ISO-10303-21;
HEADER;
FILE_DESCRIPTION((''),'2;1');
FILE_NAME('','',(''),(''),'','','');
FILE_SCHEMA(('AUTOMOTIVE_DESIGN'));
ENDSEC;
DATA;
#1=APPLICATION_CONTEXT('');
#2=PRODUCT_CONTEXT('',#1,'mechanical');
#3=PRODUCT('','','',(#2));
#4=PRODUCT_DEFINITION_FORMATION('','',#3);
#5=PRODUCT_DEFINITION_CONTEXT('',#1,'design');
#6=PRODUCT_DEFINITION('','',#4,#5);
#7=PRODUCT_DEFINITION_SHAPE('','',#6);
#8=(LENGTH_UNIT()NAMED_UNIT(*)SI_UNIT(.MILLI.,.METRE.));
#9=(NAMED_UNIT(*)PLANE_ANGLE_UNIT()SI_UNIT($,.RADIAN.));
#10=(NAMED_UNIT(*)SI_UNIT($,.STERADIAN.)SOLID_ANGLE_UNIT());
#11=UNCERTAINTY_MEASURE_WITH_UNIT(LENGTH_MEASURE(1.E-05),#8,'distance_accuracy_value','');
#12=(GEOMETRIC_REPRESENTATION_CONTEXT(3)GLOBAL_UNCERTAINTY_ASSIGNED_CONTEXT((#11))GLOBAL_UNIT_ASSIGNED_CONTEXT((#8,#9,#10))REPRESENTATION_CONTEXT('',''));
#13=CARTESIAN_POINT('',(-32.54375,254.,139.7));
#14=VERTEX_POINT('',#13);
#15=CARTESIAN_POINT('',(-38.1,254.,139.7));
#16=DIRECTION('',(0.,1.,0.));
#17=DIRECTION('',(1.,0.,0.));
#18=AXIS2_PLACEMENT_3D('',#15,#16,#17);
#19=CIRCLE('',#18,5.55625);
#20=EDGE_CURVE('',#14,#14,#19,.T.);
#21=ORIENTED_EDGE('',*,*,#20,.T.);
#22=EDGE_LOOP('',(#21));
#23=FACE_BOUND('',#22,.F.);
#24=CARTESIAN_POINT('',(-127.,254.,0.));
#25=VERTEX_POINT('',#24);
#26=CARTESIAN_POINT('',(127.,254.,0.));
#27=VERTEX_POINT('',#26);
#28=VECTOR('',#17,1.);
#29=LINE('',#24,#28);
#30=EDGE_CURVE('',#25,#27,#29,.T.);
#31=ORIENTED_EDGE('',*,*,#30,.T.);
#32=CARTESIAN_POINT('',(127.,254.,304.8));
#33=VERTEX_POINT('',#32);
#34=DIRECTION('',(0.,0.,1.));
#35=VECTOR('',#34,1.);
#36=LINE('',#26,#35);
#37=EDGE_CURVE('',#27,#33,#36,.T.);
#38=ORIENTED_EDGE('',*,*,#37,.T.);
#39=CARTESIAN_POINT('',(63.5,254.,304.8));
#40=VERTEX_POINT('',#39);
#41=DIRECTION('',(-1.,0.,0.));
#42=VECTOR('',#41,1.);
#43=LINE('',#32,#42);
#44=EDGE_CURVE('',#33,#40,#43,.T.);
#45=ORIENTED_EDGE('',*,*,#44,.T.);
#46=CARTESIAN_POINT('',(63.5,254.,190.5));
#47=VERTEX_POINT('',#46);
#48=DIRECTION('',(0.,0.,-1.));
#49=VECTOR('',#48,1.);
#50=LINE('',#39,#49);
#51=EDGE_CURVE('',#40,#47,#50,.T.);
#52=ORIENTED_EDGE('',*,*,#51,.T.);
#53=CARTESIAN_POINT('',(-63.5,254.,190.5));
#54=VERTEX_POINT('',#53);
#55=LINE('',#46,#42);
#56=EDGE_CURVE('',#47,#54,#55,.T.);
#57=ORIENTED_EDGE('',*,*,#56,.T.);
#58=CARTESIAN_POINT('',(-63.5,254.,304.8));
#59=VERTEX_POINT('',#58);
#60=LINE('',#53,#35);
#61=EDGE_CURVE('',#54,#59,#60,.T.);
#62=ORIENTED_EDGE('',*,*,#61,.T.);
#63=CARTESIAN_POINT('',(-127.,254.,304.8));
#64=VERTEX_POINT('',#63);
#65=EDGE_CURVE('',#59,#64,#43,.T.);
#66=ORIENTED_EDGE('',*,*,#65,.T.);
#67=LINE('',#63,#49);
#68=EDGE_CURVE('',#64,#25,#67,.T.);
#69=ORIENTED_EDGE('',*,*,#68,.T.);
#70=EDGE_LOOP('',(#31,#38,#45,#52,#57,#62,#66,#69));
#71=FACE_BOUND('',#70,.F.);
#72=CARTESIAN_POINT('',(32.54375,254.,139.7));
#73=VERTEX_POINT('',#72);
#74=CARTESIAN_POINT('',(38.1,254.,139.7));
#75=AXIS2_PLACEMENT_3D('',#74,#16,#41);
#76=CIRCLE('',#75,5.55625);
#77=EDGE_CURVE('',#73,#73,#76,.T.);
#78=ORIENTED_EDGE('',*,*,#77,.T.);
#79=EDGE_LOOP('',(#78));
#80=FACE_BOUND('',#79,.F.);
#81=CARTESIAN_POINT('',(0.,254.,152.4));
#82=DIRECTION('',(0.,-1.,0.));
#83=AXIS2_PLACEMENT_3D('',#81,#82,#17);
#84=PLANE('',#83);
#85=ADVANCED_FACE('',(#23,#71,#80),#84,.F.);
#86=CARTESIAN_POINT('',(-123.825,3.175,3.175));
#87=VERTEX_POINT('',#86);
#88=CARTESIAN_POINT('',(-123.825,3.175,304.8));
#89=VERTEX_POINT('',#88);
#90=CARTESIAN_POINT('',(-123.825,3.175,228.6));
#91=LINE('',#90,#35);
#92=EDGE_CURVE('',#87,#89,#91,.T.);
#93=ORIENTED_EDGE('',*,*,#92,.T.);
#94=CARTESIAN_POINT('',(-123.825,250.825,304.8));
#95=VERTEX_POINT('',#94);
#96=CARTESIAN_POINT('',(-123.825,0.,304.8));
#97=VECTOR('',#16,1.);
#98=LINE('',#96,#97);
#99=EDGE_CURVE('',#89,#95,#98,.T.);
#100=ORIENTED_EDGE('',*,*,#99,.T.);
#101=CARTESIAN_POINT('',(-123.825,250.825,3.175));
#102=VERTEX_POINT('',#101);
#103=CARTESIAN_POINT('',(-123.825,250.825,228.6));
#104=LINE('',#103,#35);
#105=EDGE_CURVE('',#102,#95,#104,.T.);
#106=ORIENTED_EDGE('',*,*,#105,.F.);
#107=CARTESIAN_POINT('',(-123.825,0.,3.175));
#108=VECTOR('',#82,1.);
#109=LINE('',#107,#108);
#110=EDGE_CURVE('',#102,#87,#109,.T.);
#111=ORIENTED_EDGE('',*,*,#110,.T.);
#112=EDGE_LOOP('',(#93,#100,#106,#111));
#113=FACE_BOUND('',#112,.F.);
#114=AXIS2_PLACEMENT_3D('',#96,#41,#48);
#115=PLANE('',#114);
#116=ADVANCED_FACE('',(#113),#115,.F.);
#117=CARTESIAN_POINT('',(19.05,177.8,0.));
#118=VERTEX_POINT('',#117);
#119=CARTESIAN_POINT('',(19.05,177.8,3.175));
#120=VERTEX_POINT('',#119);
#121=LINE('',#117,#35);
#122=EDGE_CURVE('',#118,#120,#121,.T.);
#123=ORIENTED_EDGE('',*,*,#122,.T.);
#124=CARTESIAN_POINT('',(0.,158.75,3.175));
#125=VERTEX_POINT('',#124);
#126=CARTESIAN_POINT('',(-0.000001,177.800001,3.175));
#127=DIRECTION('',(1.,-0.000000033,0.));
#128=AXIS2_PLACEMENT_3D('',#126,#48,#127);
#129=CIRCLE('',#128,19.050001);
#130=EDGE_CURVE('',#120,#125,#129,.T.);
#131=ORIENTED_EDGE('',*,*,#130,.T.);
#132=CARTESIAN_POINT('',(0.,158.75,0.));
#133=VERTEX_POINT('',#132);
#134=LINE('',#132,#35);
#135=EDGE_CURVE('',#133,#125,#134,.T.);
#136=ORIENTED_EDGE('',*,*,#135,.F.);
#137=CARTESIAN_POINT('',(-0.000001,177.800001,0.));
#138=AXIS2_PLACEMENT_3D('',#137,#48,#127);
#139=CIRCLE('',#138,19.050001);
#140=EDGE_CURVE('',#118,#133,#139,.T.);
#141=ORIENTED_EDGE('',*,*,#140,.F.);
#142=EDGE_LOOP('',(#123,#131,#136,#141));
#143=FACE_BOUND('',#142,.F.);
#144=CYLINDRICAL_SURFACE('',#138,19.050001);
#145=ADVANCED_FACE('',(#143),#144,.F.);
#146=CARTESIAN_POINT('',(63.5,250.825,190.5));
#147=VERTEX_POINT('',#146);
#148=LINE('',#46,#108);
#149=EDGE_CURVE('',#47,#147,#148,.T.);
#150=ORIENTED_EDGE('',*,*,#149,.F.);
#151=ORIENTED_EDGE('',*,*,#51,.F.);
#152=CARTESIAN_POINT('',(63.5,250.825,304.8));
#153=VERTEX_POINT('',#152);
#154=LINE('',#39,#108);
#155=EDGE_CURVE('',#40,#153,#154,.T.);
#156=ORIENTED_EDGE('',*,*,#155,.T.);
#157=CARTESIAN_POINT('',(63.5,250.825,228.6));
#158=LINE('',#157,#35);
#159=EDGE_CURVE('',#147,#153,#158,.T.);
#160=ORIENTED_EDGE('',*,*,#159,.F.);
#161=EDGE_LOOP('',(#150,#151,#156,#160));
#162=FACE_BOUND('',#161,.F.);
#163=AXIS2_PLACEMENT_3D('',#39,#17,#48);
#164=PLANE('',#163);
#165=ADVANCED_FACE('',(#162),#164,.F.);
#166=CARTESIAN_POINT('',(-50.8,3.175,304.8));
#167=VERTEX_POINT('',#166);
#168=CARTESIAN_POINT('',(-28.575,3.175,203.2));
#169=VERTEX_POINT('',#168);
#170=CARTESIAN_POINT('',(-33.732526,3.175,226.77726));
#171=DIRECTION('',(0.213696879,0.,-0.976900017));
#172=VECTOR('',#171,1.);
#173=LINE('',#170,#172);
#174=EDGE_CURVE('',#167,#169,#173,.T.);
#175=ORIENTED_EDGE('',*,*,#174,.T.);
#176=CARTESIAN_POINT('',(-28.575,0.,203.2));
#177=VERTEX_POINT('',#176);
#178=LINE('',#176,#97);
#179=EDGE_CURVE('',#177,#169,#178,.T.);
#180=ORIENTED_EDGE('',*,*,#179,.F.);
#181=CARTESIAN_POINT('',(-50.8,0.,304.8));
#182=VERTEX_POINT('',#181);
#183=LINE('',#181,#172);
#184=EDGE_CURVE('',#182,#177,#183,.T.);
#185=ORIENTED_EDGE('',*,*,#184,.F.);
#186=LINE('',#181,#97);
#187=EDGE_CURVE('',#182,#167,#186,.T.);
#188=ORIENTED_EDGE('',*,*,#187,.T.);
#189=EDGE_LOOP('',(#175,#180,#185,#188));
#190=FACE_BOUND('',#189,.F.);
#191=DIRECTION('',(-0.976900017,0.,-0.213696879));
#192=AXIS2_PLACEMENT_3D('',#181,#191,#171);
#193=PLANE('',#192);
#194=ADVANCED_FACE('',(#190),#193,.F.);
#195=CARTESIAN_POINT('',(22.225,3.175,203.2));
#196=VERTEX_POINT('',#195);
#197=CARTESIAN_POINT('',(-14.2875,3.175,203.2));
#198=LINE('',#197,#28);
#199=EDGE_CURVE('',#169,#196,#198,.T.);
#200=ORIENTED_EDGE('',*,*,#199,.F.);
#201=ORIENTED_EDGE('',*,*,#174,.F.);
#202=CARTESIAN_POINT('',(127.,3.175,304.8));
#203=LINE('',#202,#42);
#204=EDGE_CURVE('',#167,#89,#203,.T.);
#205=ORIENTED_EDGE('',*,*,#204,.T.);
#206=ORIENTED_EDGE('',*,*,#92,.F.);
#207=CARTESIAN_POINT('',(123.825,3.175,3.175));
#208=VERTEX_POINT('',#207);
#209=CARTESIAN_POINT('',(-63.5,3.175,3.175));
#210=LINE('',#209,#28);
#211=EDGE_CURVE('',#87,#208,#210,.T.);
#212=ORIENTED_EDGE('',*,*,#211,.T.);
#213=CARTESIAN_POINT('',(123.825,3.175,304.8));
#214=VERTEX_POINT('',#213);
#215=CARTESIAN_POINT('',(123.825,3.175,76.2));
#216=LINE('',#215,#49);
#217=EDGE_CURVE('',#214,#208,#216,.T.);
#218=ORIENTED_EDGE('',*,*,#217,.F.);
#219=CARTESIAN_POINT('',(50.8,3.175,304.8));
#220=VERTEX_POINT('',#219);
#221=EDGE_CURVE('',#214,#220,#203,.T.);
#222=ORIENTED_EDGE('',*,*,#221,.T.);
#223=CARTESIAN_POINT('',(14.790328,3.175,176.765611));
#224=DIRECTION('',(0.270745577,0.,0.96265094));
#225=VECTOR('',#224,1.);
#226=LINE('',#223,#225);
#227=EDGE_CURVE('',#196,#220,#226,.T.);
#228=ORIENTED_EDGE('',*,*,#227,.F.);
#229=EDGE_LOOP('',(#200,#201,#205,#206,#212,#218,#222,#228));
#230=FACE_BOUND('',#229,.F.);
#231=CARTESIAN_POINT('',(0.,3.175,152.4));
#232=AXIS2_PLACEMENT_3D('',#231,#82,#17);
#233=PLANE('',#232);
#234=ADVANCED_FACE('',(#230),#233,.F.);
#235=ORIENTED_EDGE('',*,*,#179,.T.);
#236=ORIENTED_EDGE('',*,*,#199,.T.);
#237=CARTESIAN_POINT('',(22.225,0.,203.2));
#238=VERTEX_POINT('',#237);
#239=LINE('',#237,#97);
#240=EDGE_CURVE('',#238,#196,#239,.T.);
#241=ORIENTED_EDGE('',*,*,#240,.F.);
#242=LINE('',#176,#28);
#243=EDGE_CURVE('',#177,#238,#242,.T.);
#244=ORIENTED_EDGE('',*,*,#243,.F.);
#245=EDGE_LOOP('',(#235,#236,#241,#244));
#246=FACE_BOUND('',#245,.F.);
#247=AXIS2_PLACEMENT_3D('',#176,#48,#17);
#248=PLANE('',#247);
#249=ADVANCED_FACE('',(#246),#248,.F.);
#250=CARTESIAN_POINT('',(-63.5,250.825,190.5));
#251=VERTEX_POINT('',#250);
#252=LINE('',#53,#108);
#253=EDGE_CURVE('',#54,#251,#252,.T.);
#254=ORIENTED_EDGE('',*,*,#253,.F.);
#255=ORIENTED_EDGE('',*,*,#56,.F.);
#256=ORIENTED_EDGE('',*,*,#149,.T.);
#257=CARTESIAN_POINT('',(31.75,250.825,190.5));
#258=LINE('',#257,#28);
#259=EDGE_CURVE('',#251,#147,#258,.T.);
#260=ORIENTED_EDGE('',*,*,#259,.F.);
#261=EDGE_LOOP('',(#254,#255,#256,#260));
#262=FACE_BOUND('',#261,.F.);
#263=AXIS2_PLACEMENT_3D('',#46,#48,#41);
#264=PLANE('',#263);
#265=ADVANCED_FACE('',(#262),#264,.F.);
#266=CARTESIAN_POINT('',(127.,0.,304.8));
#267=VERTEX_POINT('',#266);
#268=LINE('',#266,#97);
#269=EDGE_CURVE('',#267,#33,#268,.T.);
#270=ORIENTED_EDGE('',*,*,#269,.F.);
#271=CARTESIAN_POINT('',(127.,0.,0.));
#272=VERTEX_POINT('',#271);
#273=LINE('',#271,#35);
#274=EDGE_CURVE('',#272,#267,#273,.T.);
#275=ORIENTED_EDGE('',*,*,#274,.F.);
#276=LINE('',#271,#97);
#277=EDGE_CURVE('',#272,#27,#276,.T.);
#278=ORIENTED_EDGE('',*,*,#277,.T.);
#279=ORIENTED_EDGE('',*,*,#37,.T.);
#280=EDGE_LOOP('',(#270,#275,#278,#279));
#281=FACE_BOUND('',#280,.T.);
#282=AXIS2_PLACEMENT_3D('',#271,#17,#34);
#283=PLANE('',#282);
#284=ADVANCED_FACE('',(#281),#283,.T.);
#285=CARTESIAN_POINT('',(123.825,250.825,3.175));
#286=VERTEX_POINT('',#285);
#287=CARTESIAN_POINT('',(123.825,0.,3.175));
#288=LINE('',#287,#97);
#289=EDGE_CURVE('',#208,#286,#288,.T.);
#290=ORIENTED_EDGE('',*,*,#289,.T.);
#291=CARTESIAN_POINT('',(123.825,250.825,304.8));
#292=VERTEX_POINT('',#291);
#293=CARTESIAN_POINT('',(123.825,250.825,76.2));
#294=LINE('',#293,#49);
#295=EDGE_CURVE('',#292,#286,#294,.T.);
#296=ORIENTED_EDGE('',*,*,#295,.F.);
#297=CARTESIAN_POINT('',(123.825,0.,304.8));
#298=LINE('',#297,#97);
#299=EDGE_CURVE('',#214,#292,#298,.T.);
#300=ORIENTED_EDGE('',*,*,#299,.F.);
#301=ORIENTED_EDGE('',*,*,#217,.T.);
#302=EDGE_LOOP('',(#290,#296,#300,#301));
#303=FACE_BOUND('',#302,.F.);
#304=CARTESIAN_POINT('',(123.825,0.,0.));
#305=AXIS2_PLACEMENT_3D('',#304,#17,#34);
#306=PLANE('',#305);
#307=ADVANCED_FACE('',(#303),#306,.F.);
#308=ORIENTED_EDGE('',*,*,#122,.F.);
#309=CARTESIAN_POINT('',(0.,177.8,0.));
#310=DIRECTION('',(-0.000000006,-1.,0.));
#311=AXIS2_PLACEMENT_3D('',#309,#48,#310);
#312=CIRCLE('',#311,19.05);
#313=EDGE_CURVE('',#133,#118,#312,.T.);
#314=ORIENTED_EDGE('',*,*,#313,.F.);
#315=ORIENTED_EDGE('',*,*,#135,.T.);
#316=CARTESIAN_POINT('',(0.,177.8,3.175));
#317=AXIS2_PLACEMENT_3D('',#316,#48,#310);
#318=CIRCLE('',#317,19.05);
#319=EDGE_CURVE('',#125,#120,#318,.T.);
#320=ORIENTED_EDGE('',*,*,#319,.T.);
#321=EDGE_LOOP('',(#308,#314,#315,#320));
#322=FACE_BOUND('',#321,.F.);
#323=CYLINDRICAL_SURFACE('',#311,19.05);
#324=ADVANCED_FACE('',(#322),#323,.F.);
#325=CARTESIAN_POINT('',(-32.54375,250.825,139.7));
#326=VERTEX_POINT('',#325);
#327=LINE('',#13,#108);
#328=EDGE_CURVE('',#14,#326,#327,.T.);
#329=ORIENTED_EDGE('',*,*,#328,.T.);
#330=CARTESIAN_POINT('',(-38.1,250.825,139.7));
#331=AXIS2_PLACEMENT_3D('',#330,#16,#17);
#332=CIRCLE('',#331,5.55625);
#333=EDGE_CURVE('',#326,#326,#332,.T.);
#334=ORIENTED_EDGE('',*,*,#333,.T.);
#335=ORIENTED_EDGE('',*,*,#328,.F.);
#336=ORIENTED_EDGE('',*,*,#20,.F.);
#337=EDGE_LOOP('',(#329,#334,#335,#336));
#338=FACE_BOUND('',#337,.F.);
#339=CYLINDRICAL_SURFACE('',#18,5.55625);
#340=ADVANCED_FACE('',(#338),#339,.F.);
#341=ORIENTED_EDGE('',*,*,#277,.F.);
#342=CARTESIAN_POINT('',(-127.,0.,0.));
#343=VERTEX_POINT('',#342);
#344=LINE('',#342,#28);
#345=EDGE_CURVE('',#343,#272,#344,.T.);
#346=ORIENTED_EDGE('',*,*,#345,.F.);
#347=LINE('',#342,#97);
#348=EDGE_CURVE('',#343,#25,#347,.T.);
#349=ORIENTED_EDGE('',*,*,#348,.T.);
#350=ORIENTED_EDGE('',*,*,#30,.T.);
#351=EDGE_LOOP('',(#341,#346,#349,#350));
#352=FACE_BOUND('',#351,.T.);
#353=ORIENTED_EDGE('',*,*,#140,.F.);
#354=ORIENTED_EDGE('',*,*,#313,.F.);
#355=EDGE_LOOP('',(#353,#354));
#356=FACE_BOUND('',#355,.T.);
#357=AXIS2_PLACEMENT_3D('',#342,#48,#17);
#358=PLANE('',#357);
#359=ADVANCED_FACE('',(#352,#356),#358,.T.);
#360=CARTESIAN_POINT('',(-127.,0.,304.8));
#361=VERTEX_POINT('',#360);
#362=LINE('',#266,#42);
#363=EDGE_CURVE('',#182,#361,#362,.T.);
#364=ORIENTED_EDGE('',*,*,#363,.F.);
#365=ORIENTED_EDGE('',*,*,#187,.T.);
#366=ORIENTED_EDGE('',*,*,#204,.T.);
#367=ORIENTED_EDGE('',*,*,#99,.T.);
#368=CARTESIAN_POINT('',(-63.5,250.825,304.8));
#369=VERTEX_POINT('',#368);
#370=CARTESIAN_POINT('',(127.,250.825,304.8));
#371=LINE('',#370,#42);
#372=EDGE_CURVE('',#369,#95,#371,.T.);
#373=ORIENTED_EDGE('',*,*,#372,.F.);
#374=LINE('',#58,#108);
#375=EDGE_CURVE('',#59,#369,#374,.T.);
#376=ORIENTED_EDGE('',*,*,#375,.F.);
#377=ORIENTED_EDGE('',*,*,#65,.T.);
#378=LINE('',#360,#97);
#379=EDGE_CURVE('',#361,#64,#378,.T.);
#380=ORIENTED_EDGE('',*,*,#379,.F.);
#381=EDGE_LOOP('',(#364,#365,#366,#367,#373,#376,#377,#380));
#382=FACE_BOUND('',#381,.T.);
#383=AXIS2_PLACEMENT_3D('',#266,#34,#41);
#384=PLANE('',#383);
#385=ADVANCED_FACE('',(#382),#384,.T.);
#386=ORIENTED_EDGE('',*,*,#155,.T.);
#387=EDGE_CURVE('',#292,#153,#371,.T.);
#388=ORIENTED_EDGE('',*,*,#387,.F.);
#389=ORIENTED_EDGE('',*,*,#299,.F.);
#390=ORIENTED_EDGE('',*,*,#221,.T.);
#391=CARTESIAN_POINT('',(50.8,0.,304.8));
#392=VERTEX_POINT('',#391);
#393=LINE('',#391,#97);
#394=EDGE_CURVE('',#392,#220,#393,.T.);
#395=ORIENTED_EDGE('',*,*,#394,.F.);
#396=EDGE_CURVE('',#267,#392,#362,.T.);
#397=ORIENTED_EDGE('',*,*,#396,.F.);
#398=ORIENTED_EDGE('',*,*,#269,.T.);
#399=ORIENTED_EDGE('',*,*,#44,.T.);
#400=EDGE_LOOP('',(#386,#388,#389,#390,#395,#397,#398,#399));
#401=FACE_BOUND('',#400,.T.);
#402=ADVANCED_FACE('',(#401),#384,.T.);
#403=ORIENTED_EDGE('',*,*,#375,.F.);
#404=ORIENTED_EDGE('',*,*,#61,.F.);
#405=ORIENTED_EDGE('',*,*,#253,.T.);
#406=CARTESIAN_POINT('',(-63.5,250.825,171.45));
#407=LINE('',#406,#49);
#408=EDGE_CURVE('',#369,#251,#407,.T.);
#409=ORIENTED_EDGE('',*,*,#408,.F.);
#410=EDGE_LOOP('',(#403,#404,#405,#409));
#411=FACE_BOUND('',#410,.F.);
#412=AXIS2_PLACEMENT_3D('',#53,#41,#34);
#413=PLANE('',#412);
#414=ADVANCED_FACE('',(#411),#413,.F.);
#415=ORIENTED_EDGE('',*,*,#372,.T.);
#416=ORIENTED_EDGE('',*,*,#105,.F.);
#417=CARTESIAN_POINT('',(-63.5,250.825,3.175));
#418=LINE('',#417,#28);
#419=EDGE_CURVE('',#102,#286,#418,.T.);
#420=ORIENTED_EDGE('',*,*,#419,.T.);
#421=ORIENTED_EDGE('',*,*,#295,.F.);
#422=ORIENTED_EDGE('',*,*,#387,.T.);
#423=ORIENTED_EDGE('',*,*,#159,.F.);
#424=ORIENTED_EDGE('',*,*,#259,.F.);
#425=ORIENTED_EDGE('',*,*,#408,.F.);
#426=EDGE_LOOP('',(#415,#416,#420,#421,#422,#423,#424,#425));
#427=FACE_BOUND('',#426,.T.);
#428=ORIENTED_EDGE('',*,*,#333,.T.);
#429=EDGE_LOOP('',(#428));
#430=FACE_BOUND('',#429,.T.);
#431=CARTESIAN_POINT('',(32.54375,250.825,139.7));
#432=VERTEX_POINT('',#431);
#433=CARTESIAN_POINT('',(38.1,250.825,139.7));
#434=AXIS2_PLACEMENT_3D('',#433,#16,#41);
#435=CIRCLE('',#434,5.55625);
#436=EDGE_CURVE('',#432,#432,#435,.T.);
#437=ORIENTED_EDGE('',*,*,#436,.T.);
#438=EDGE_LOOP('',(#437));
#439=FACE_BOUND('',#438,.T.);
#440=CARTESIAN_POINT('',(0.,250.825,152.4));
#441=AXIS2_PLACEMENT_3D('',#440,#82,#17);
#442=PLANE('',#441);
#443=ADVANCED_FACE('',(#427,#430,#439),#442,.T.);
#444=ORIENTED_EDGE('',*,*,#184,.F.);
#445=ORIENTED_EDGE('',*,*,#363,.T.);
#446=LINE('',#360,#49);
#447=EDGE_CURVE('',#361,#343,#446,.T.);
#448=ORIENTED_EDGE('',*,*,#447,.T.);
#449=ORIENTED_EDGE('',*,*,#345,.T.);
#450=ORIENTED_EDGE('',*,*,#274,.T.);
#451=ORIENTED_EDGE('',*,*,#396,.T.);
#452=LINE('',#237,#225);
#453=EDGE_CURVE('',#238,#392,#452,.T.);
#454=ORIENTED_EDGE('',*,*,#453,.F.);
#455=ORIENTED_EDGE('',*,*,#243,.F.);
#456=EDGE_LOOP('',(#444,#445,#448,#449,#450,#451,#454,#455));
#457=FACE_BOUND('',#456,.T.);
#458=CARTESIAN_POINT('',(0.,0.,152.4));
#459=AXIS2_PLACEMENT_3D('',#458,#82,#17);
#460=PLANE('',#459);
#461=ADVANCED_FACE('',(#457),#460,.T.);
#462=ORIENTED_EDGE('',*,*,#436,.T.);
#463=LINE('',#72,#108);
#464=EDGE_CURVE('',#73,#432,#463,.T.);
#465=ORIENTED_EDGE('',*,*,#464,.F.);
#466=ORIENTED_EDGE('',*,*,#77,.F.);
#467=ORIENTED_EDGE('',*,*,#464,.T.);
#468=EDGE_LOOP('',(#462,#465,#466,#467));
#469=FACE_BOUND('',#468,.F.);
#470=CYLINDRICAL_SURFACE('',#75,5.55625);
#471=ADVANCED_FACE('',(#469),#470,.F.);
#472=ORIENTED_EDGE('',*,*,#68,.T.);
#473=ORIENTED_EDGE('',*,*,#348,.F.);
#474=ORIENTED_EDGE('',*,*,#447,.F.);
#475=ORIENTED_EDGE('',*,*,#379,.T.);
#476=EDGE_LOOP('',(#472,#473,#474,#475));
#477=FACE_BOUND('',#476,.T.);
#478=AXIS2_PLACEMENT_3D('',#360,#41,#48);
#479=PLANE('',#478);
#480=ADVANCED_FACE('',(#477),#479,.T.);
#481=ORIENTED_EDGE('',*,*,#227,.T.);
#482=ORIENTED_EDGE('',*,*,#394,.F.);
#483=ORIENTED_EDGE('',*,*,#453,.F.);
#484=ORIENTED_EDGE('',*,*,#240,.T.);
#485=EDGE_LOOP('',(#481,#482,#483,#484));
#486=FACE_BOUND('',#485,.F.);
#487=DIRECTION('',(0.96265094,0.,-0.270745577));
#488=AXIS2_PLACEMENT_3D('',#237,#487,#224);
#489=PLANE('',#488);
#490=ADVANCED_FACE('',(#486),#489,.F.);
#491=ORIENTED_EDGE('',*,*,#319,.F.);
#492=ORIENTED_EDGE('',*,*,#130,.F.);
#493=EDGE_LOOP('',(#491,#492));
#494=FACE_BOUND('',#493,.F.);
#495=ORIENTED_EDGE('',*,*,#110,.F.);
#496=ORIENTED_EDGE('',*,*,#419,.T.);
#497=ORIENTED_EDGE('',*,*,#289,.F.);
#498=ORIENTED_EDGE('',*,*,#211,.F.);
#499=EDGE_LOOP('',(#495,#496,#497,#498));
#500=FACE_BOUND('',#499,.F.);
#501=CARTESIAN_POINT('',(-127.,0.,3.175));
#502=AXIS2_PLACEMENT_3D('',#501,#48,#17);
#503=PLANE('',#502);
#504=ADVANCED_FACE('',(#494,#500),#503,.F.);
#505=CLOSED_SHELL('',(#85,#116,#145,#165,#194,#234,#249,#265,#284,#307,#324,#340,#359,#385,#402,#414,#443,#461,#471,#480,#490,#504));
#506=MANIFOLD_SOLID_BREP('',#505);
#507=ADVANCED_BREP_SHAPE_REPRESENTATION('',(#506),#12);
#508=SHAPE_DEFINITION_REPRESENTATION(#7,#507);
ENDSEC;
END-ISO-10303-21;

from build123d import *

# Parameters (mm, degrees)
F1_DEPTH  = 254
F2_T      = -3.175
F4_DEPTH  = 25.4
F6_DEPTH  = 25.4
F8_DEPTH  = 25.4
F9_R      = 5.55625
F10_DEPTH = 25.4


with BuildPart() as f1:
    # F0 (on Front) → F1 (new body)
    with BuildSketch(Plane.XZ):
        Polygon((-127, 0), (0, 0), (127, 0), (127, 304.8), (-127, 304.8), align=None)
    extrude(amount=-F1_DEPTH)

    # F2
    f2_openings = [f1.faces().sort_by_distance(p)[0] for p in [
        (0, 127, 304.8),
    ]]
    offset(amount=F2_T, openings=f2_openings)

    # F3 (on face) → F4 (cut)
    with BuildSketch(Plane.XZ):
        Polygon((50.8, 304.8), (-50.8, 304.8), (-28.575, 203.2), (22.225, 203.2), align=None)
    extrude(amount=-F4_DEPTH, mode=Mode.SUBTRACT)

    # F5 (on face) → F6 (cut)
    with BuildSketch(Plane(origin=(0, 254, 0), x_dir=(-1, 0, 0), z_dir=(0, 1, 0))):
        Polygon((-16.939813, 304.8), (-63.5, 304.8), (-63.5, 190.5), (-16.939813, 190.5), (63.5, 190.5), (63.5, 304.8), align=None)
    extrude(amount=-F6_DEPTH, mode=Mode.SUBTRACT)

    # F7 (on face) → F8 (cut)
    with BuildSketch(Plane(origin=(0, 0, 0), x_dir=(1, 0, 0), z_dir=(0, 0, -1))):
        with BuildLine():
            ThreePointArc((0, -158.75), (-13.470384, -191.270384), (19.05, -177.8))
            ThreePointArc((19.05, -177.8), (13.470384, -164.329616), (0, -158.75))
        make_face()
    extrude(amount=-F8_DEPTH, mode=Mode.SUBTRACT)

    # F9 (on face) → F10 (cut)
    with BuildSketch(Plane(origin=(0, 254, 0), x_dir=(-1, 0, 0), z_dir=(0, 1, 0))):
        with BuildLine():
            ThreePointArc((43.65625, 139.7), (38.1, 145.25625), (32.54375, 139.7))
            ThreePointArc((32.54375, 139.7), (38.1, 134.14375), (43.65625, 139.7))
        make_face()
        with Locations((-38.1, 139.7)):
            Circle(F9_R)
    extrude(amount=-F10_DEPTH, mode=Mode.SUBTRACT)


solid = f1.part
